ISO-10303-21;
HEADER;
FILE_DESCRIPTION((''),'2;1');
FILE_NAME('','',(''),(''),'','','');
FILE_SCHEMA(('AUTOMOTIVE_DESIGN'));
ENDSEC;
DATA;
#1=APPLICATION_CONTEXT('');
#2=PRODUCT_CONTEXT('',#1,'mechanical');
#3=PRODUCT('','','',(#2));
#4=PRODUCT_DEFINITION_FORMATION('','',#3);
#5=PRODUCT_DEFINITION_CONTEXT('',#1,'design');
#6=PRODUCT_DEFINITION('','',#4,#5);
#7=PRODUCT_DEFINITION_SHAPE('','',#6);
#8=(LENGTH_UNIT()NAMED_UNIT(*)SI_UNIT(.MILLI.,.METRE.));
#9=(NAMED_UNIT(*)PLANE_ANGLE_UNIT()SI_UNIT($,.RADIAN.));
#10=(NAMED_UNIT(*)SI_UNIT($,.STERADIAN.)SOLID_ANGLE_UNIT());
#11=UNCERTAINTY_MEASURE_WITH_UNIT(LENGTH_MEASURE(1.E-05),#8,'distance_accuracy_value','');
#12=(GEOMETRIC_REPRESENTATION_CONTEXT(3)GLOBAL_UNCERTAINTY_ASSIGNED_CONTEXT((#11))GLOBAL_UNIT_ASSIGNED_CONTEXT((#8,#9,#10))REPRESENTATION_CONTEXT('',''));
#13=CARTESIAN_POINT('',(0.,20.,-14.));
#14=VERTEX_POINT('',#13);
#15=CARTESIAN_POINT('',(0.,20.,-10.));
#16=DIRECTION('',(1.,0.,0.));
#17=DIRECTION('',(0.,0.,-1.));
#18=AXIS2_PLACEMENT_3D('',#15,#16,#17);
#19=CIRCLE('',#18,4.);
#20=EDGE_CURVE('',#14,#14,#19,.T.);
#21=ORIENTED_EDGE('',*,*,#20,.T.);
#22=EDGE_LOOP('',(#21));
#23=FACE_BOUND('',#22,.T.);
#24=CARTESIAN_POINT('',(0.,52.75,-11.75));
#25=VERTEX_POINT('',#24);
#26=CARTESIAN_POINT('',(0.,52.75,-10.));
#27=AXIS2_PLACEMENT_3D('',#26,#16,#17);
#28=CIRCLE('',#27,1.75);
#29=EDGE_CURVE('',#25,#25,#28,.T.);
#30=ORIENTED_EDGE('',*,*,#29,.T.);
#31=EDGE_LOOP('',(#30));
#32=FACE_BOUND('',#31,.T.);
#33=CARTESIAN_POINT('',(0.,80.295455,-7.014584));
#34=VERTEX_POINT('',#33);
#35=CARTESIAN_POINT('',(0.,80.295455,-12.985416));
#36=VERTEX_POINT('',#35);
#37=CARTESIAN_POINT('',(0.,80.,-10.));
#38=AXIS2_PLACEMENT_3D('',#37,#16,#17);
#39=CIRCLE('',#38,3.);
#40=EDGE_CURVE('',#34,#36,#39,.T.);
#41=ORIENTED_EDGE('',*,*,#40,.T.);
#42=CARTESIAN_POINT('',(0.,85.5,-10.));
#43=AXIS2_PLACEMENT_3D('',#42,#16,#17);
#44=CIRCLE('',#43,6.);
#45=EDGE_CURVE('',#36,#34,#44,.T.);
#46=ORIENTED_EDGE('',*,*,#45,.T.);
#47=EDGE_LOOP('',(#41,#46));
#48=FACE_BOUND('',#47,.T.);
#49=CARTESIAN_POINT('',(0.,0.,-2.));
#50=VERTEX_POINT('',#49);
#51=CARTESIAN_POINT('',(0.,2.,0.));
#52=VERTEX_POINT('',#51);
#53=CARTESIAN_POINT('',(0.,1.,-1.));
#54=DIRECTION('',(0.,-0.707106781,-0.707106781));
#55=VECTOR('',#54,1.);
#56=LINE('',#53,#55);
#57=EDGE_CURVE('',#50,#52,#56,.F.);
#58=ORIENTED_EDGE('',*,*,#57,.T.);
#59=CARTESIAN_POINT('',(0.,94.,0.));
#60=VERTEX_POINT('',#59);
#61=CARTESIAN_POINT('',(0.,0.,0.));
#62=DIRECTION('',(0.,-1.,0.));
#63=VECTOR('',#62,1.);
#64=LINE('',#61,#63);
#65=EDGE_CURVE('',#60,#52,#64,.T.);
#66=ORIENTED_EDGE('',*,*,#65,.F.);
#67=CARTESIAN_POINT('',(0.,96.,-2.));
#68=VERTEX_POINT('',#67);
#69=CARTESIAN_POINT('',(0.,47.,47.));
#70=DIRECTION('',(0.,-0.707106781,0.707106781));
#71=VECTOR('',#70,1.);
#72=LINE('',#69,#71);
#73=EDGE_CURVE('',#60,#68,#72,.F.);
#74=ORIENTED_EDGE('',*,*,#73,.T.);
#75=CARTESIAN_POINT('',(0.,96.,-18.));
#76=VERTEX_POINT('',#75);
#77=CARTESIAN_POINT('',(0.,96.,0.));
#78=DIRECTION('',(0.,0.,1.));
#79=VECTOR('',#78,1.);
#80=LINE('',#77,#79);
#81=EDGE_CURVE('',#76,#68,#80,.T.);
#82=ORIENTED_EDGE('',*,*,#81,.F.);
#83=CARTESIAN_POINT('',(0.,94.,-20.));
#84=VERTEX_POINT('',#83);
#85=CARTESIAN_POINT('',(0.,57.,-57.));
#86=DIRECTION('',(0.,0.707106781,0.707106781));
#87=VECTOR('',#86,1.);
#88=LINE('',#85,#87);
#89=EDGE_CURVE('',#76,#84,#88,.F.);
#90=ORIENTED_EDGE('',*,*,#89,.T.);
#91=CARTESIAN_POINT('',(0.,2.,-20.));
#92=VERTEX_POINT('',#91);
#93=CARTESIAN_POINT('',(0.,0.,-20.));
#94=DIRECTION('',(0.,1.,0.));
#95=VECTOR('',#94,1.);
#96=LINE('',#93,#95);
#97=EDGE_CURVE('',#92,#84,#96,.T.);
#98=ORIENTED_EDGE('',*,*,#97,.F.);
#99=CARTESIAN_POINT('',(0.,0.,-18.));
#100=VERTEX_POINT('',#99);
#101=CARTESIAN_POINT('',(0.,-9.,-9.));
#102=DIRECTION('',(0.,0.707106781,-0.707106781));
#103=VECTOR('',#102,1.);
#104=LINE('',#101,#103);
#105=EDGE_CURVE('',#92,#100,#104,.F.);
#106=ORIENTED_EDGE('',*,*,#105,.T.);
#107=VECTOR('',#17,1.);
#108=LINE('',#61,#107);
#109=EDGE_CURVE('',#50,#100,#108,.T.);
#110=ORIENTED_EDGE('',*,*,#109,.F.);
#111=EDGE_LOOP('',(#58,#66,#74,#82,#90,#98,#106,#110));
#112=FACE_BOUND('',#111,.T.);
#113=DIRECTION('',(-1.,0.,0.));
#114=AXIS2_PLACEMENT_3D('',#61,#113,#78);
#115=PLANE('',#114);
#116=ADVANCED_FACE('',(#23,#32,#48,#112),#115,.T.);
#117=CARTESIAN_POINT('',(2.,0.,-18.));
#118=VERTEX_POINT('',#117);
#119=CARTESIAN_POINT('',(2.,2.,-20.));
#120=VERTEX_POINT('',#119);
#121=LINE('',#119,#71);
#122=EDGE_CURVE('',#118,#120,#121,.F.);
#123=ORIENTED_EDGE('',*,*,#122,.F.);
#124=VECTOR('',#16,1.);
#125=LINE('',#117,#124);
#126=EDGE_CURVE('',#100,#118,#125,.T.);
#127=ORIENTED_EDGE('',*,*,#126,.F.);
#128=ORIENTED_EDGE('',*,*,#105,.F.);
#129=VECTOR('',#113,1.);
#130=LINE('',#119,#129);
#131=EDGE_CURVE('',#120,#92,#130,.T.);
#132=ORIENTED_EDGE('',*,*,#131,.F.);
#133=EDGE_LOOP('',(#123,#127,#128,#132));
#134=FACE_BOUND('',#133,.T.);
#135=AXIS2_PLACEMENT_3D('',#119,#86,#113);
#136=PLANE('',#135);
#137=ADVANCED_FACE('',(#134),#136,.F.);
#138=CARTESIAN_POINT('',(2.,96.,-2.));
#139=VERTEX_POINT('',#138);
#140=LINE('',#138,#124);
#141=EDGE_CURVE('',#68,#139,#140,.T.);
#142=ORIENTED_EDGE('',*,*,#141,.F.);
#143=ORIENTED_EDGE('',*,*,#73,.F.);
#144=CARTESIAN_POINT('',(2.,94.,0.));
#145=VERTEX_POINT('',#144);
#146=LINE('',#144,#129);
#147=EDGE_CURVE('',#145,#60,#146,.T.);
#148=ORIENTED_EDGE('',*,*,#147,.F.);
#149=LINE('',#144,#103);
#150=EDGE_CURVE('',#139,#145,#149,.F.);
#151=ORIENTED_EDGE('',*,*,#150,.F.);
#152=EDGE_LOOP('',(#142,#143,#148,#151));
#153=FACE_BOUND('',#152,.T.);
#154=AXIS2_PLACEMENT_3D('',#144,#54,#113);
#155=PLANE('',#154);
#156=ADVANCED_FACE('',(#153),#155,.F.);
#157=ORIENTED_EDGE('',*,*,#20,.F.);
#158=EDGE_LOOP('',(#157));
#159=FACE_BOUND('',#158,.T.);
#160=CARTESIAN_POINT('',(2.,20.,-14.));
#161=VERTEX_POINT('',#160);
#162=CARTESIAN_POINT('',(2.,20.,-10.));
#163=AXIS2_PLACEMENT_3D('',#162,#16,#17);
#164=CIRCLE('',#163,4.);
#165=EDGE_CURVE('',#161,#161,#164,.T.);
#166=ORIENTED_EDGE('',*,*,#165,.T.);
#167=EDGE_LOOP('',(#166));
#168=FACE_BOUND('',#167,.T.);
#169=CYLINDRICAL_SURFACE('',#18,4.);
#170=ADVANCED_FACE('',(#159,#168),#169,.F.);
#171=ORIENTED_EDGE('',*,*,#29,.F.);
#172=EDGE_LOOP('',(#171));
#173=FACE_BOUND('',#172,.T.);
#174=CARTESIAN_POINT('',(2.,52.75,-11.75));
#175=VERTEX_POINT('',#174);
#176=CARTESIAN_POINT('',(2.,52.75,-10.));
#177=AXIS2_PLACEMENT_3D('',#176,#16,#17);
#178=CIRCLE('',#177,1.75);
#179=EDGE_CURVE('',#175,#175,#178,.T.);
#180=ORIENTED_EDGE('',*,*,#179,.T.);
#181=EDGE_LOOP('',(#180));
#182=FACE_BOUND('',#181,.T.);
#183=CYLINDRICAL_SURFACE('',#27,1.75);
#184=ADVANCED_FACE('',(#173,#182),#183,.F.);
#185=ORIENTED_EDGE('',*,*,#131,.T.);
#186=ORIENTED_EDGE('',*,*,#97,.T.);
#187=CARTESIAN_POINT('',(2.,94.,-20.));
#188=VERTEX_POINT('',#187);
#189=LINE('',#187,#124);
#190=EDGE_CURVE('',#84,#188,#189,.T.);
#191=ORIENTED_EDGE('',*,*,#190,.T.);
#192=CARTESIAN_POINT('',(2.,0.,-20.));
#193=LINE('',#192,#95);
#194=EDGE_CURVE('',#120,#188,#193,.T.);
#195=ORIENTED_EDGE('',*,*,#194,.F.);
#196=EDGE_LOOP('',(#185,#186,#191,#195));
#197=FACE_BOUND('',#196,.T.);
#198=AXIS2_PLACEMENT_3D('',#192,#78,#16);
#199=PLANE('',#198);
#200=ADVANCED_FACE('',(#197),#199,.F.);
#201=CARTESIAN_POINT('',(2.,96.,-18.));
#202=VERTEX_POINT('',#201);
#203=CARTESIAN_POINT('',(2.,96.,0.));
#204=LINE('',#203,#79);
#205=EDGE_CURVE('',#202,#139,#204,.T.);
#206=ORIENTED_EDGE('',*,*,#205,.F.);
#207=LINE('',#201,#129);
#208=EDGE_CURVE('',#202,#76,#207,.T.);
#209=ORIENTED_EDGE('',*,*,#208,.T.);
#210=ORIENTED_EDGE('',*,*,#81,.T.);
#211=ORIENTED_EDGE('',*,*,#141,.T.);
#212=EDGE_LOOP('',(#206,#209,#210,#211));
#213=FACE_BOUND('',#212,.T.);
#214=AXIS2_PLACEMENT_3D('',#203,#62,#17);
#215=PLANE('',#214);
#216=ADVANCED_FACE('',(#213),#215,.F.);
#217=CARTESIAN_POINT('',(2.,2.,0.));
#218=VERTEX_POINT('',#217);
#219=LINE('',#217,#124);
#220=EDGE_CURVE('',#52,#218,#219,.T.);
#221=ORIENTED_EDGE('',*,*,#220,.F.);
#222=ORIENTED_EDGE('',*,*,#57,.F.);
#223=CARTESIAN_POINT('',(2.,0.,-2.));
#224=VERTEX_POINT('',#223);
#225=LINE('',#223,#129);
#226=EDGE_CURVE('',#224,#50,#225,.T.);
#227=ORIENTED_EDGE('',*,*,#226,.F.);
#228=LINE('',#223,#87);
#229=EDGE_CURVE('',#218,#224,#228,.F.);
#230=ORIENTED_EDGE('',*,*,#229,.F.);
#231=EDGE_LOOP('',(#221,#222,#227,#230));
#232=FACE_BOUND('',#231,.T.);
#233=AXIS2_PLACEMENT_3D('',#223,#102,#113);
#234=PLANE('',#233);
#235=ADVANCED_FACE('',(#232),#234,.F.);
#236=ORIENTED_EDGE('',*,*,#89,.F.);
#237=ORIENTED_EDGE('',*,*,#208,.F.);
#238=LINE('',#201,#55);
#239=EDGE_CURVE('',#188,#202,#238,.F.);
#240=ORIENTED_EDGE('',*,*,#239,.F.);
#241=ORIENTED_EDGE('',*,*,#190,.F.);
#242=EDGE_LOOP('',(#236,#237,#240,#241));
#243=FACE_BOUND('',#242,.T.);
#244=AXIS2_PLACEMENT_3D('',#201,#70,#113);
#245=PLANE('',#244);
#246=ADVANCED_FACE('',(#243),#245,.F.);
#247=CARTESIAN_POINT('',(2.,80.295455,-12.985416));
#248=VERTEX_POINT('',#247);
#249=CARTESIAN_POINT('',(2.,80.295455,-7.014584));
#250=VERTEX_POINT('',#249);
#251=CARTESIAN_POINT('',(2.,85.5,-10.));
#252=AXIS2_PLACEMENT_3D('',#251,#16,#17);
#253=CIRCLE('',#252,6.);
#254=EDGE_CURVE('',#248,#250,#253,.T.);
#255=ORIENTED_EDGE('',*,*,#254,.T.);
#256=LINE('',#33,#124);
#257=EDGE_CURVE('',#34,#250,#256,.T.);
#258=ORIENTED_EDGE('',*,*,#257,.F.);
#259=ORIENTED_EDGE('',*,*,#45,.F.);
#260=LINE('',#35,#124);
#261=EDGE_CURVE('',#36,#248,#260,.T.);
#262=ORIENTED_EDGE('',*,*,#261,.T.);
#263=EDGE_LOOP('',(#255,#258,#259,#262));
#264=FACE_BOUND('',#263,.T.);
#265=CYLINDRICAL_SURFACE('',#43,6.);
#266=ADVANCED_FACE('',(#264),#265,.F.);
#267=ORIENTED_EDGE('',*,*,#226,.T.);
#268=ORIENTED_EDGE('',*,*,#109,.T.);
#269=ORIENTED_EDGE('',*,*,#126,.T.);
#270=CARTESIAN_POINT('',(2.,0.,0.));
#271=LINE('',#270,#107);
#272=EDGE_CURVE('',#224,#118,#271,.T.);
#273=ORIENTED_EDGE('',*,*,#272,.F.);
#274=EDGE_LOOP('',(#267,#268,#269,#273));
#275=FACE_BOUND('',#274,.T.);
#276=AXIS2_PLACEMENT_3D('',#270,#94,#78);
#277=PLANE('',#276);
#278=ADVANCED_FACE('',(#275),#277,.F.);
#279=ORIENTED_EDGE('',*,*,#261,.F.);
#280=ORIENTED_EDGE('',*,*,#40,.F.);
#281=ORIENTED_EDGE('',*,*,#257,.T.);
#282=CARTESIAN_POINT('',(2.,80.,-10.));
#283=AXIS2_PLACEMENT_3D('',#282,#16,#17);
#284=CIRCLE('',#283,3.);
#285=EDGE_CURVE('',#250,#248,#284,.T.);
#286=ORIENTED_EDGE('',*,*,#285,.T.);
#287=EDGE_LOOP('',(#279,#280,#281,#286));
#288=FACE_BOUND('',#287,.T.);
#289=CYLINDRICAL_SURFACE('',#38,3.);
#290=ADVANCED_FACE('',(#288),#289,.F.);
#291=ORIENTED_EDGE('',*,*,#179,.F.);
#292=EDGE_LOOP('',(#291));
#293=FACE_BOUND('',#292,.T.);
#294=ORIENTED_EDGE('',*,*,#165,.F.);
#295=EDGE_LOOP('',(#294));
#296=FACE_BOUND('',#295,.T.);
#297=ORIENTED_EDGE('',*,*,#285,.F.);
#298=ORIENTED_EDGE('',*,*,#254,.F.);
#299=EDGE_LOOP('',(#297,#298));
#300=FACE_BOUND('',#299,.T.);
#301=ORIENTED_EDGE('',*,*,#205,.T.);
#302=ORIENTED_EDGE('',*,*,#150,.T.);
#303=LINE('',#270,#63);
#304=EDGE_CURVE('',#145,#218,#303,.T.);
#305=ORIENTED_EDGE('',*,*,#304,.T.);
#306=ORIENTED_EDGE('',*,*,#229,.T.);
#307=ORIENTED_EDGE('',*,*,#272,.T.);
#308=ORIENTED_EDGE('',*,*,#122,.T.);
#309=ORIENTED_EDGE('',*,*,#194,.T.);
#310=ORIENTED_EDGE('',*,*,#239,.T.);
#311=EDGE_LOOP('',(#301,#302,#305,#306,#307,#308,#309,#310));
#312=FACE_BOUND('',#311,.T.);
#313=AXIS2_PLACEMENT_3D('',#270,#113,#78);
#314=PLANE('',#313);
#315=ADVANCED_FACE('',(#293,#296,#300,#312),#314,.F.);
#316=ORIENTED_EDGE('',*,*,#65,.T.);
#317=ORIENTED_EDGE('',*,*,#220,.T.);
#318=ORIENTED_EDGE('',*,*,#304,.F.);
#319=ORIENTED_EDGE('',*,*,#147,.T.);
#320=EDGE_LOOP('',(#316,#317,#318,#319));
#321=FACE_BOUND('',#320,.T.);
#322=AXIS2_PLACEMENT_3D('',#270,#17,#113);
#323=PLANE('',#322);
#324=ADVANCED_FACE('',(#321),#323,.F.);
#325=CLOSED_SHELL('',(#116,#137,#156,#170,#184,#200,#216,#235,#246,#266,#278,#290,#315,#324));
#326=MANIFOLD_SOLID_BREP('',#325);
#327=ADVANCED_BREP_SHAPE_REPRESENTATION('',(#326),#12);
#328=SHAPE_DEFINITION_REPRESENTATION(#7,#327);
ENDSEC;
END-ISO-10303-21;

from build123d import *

# Parameters (mm, degrees)
SKETCH1_W           = 20
SKETCH1_H           = 96
BOSS_EXTRUDE1_DEPTH = 2
SKETCH2_R           = 1.75
SKETCH2_R_2         = 4
CUT_EXTRUDE1_DEPTH  = 99.081598682
CHAMFER1_SIZE       = 2


with BuildPart() as part:
    # Sketch1 → Boss-Extrude1 (new body)
    with BuildSketch(Plane(origin=(0, 0, 0), x_dir=(0, 0, -1), z_dir=(1, 0, 0))):
        with Locations((10, 48)):
            Rectangle(SKETCH1_W, SKETCH1_H)
    extrude(amount=BOSS_EXTRUDE1_DEPTH)

    # Sketch2 → Cut-Extrude1 (cut, through all)
    with BuildSketch(Plane(origin=(2, 0, 0), x_dir=(0, 0, -1), z_dir=(1, 0, 0))):
        with Locations((10, 52.75)):
            Circle(SKETCH2_R)
        with Locations((10, 20)):
            Circle(SKETCH2_R_2)
        with BuildLine():
            ThreePointArc((12.985415651, 80.295454545), (10, 91.5), (7.014584349, 80.295454545))
            ThreePointArc((7.014584349, 80.295454545), (10, 77), (12.985415651, 80.295454545))
        make_face()
    extrude(amount=-CUT_EXTRUDE1_DEPTH, mode=Mode.SUBTRACT)

    # Chamfer1
    chamfer1_edges = [part.edges().sort_by_distance(p)[0] for p in [
        (1, 96, 0),
        (1, 96, -20),
        (1, 0, -20),
        (1, 0, 0),
    ]]
    chamfer(chamfer1_edges, length=CHAMFER1_SIZE)


solid = part.part
